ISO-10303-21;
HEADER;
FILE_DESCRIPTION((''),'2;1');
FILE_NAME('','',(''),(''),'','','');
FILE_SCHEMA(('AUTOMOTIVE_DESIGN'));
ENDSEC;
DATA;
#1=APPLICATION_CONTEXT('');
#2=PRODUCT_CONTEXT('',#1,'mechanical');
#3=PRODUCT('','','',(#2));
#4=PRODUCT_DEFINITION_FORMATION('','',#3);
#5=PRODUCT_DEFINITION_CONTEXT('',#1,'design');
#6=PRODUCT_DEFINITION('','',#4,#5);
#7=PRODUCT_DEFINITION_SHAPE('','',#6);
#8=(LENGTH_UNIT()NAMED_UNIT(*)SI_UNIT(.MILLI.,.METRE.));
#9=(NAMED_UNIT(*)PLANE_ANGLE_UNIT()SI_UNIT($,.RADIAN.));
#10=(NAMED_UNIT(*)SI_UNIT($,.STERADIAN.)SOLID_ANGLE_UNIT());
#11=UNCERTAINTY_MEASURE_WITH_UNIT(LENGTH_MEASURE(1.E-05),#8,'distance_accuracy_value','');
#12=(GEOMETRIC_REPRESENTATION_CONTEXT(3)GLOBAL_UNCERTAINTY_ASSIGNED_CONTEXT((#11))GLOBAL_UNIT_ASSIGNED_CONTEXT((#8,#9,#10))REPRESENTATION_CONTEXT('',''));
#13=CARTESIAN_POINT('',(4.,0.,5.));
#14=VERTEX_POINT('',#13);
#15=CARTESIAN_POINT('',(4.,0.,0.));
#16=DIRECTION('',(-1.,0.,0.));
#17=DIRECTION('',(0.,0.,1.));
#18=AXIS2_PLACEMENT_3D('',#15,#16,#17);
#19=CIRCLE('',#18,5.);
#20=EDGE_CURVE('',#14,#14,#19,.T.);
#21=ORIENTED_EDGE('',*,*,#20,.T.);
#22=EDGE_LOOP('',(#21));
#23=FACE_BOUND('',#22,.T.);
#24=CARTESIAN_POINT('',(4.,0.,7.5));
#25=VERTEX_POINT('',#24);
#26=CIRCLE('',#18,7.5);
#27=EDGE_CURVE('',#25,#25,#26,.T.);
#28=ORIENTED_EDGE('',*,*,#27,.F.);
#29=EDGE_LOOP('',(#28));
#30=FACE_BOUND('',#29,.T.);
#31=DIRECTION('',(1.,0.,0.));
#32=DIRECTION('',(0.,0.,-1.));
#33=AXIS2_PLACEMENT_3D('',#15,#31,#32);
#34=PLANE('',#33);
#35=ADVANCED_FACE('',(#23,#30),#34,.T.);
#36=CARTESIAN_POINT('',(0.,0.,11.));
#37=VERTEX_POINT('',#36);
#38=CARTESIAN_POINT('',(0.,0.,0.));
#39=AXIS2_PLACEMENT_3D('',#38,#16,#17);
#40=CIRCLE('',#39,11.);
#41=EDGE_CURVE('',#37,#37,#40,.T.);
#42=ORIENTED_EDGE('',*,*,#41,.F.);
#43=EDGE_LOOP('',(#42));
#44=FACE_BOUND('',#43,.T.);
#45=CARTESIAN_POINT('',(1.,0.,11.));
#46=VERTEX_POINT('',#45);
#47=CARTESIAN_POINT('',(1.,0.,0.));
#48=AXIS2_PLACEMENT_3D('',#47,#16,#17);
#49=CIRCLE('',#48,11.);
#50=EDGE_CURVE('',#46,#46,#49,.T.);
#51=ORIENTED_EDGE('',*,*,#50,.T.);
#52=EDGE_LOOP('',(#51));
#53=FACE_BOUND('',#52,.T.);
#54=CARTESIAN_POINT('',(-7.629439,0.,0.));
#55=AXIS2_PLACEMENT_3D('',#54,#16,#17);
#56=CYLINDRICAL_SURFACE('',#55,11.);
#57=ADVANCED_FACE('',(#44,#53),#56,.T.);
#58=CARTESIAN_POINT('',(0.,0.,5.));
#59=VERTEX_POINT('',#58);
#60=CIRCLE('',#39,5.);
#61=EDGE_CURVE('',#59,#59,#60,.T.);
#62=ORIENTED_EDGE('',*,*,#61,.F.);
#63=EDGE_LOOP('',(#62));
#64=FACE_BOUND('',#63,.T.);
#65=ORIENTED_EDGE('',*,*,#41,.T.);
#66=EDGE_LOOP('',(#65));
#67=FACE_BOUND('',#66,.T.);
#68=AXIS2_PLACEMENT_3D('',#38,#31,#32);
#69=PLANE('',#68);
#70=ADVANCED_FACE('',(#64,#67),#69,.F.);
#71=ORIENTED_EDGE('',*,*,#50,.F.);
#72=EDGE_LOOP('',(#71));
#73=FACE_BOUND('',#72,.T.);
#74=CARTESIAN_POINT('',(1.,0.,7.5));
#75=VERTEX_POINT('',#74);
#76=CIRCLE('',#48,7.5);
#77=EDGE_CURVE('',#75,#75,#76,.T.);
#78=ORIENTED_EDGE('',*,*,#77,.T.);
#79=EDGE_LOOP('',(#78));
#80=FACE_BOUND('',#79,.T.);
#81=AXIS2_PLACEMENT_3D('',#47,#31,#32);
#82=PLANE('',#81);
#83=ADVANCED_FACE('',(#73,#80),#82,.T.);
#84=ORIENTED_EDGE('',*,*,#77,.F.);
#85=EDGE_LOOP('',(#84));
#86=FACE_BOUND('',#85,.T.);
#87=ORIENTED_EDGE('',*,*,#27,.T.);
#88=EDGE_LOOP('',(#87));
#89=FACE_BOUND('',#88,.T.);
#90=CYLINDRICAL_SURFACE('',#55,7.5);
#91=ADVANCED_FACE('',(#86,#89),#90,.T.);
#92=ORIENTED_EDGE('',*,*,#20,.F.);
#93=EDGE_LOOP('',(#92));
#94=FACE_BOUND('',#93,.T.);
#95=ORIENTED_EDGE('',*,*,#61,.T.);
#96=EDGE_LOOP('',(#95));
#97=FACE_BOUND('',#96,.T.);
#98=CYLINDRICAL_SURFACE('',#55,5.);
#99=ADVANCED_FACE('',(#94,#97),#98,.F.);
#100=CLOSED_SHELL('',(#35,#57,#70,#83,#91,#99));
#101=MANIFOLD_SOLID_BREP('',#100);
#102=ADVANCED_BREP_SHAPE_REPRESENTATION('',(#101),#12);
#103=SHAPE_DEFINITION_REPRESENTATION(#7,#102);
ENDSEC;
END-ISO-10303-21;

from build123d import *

# Parameters (mm, degrees)
ESQUISSE1_W   = 4
ESQUISSE1_H   = 2.5
ESQUISSE1_W_2 = 1
ESQUISSE1_H_2 = 3.5


with BuildPart() as part:
    # Esquisse1 → Révolution1 (revolve)
    with BuildSketch(Plane.XY):
        with Locations((2, 6.25)):
            Rectangle(ESQUISSE1_W, ESQUISSE1_H)
        with Locations((0.5, 9.25)):
            Rectangle(ESQUISSE1_W_2, ESQUISSE1_H_2)
    revolve(axis=Axis((-7.629438572, 0, 0), (1, 0, 0)))


solid = part.part
